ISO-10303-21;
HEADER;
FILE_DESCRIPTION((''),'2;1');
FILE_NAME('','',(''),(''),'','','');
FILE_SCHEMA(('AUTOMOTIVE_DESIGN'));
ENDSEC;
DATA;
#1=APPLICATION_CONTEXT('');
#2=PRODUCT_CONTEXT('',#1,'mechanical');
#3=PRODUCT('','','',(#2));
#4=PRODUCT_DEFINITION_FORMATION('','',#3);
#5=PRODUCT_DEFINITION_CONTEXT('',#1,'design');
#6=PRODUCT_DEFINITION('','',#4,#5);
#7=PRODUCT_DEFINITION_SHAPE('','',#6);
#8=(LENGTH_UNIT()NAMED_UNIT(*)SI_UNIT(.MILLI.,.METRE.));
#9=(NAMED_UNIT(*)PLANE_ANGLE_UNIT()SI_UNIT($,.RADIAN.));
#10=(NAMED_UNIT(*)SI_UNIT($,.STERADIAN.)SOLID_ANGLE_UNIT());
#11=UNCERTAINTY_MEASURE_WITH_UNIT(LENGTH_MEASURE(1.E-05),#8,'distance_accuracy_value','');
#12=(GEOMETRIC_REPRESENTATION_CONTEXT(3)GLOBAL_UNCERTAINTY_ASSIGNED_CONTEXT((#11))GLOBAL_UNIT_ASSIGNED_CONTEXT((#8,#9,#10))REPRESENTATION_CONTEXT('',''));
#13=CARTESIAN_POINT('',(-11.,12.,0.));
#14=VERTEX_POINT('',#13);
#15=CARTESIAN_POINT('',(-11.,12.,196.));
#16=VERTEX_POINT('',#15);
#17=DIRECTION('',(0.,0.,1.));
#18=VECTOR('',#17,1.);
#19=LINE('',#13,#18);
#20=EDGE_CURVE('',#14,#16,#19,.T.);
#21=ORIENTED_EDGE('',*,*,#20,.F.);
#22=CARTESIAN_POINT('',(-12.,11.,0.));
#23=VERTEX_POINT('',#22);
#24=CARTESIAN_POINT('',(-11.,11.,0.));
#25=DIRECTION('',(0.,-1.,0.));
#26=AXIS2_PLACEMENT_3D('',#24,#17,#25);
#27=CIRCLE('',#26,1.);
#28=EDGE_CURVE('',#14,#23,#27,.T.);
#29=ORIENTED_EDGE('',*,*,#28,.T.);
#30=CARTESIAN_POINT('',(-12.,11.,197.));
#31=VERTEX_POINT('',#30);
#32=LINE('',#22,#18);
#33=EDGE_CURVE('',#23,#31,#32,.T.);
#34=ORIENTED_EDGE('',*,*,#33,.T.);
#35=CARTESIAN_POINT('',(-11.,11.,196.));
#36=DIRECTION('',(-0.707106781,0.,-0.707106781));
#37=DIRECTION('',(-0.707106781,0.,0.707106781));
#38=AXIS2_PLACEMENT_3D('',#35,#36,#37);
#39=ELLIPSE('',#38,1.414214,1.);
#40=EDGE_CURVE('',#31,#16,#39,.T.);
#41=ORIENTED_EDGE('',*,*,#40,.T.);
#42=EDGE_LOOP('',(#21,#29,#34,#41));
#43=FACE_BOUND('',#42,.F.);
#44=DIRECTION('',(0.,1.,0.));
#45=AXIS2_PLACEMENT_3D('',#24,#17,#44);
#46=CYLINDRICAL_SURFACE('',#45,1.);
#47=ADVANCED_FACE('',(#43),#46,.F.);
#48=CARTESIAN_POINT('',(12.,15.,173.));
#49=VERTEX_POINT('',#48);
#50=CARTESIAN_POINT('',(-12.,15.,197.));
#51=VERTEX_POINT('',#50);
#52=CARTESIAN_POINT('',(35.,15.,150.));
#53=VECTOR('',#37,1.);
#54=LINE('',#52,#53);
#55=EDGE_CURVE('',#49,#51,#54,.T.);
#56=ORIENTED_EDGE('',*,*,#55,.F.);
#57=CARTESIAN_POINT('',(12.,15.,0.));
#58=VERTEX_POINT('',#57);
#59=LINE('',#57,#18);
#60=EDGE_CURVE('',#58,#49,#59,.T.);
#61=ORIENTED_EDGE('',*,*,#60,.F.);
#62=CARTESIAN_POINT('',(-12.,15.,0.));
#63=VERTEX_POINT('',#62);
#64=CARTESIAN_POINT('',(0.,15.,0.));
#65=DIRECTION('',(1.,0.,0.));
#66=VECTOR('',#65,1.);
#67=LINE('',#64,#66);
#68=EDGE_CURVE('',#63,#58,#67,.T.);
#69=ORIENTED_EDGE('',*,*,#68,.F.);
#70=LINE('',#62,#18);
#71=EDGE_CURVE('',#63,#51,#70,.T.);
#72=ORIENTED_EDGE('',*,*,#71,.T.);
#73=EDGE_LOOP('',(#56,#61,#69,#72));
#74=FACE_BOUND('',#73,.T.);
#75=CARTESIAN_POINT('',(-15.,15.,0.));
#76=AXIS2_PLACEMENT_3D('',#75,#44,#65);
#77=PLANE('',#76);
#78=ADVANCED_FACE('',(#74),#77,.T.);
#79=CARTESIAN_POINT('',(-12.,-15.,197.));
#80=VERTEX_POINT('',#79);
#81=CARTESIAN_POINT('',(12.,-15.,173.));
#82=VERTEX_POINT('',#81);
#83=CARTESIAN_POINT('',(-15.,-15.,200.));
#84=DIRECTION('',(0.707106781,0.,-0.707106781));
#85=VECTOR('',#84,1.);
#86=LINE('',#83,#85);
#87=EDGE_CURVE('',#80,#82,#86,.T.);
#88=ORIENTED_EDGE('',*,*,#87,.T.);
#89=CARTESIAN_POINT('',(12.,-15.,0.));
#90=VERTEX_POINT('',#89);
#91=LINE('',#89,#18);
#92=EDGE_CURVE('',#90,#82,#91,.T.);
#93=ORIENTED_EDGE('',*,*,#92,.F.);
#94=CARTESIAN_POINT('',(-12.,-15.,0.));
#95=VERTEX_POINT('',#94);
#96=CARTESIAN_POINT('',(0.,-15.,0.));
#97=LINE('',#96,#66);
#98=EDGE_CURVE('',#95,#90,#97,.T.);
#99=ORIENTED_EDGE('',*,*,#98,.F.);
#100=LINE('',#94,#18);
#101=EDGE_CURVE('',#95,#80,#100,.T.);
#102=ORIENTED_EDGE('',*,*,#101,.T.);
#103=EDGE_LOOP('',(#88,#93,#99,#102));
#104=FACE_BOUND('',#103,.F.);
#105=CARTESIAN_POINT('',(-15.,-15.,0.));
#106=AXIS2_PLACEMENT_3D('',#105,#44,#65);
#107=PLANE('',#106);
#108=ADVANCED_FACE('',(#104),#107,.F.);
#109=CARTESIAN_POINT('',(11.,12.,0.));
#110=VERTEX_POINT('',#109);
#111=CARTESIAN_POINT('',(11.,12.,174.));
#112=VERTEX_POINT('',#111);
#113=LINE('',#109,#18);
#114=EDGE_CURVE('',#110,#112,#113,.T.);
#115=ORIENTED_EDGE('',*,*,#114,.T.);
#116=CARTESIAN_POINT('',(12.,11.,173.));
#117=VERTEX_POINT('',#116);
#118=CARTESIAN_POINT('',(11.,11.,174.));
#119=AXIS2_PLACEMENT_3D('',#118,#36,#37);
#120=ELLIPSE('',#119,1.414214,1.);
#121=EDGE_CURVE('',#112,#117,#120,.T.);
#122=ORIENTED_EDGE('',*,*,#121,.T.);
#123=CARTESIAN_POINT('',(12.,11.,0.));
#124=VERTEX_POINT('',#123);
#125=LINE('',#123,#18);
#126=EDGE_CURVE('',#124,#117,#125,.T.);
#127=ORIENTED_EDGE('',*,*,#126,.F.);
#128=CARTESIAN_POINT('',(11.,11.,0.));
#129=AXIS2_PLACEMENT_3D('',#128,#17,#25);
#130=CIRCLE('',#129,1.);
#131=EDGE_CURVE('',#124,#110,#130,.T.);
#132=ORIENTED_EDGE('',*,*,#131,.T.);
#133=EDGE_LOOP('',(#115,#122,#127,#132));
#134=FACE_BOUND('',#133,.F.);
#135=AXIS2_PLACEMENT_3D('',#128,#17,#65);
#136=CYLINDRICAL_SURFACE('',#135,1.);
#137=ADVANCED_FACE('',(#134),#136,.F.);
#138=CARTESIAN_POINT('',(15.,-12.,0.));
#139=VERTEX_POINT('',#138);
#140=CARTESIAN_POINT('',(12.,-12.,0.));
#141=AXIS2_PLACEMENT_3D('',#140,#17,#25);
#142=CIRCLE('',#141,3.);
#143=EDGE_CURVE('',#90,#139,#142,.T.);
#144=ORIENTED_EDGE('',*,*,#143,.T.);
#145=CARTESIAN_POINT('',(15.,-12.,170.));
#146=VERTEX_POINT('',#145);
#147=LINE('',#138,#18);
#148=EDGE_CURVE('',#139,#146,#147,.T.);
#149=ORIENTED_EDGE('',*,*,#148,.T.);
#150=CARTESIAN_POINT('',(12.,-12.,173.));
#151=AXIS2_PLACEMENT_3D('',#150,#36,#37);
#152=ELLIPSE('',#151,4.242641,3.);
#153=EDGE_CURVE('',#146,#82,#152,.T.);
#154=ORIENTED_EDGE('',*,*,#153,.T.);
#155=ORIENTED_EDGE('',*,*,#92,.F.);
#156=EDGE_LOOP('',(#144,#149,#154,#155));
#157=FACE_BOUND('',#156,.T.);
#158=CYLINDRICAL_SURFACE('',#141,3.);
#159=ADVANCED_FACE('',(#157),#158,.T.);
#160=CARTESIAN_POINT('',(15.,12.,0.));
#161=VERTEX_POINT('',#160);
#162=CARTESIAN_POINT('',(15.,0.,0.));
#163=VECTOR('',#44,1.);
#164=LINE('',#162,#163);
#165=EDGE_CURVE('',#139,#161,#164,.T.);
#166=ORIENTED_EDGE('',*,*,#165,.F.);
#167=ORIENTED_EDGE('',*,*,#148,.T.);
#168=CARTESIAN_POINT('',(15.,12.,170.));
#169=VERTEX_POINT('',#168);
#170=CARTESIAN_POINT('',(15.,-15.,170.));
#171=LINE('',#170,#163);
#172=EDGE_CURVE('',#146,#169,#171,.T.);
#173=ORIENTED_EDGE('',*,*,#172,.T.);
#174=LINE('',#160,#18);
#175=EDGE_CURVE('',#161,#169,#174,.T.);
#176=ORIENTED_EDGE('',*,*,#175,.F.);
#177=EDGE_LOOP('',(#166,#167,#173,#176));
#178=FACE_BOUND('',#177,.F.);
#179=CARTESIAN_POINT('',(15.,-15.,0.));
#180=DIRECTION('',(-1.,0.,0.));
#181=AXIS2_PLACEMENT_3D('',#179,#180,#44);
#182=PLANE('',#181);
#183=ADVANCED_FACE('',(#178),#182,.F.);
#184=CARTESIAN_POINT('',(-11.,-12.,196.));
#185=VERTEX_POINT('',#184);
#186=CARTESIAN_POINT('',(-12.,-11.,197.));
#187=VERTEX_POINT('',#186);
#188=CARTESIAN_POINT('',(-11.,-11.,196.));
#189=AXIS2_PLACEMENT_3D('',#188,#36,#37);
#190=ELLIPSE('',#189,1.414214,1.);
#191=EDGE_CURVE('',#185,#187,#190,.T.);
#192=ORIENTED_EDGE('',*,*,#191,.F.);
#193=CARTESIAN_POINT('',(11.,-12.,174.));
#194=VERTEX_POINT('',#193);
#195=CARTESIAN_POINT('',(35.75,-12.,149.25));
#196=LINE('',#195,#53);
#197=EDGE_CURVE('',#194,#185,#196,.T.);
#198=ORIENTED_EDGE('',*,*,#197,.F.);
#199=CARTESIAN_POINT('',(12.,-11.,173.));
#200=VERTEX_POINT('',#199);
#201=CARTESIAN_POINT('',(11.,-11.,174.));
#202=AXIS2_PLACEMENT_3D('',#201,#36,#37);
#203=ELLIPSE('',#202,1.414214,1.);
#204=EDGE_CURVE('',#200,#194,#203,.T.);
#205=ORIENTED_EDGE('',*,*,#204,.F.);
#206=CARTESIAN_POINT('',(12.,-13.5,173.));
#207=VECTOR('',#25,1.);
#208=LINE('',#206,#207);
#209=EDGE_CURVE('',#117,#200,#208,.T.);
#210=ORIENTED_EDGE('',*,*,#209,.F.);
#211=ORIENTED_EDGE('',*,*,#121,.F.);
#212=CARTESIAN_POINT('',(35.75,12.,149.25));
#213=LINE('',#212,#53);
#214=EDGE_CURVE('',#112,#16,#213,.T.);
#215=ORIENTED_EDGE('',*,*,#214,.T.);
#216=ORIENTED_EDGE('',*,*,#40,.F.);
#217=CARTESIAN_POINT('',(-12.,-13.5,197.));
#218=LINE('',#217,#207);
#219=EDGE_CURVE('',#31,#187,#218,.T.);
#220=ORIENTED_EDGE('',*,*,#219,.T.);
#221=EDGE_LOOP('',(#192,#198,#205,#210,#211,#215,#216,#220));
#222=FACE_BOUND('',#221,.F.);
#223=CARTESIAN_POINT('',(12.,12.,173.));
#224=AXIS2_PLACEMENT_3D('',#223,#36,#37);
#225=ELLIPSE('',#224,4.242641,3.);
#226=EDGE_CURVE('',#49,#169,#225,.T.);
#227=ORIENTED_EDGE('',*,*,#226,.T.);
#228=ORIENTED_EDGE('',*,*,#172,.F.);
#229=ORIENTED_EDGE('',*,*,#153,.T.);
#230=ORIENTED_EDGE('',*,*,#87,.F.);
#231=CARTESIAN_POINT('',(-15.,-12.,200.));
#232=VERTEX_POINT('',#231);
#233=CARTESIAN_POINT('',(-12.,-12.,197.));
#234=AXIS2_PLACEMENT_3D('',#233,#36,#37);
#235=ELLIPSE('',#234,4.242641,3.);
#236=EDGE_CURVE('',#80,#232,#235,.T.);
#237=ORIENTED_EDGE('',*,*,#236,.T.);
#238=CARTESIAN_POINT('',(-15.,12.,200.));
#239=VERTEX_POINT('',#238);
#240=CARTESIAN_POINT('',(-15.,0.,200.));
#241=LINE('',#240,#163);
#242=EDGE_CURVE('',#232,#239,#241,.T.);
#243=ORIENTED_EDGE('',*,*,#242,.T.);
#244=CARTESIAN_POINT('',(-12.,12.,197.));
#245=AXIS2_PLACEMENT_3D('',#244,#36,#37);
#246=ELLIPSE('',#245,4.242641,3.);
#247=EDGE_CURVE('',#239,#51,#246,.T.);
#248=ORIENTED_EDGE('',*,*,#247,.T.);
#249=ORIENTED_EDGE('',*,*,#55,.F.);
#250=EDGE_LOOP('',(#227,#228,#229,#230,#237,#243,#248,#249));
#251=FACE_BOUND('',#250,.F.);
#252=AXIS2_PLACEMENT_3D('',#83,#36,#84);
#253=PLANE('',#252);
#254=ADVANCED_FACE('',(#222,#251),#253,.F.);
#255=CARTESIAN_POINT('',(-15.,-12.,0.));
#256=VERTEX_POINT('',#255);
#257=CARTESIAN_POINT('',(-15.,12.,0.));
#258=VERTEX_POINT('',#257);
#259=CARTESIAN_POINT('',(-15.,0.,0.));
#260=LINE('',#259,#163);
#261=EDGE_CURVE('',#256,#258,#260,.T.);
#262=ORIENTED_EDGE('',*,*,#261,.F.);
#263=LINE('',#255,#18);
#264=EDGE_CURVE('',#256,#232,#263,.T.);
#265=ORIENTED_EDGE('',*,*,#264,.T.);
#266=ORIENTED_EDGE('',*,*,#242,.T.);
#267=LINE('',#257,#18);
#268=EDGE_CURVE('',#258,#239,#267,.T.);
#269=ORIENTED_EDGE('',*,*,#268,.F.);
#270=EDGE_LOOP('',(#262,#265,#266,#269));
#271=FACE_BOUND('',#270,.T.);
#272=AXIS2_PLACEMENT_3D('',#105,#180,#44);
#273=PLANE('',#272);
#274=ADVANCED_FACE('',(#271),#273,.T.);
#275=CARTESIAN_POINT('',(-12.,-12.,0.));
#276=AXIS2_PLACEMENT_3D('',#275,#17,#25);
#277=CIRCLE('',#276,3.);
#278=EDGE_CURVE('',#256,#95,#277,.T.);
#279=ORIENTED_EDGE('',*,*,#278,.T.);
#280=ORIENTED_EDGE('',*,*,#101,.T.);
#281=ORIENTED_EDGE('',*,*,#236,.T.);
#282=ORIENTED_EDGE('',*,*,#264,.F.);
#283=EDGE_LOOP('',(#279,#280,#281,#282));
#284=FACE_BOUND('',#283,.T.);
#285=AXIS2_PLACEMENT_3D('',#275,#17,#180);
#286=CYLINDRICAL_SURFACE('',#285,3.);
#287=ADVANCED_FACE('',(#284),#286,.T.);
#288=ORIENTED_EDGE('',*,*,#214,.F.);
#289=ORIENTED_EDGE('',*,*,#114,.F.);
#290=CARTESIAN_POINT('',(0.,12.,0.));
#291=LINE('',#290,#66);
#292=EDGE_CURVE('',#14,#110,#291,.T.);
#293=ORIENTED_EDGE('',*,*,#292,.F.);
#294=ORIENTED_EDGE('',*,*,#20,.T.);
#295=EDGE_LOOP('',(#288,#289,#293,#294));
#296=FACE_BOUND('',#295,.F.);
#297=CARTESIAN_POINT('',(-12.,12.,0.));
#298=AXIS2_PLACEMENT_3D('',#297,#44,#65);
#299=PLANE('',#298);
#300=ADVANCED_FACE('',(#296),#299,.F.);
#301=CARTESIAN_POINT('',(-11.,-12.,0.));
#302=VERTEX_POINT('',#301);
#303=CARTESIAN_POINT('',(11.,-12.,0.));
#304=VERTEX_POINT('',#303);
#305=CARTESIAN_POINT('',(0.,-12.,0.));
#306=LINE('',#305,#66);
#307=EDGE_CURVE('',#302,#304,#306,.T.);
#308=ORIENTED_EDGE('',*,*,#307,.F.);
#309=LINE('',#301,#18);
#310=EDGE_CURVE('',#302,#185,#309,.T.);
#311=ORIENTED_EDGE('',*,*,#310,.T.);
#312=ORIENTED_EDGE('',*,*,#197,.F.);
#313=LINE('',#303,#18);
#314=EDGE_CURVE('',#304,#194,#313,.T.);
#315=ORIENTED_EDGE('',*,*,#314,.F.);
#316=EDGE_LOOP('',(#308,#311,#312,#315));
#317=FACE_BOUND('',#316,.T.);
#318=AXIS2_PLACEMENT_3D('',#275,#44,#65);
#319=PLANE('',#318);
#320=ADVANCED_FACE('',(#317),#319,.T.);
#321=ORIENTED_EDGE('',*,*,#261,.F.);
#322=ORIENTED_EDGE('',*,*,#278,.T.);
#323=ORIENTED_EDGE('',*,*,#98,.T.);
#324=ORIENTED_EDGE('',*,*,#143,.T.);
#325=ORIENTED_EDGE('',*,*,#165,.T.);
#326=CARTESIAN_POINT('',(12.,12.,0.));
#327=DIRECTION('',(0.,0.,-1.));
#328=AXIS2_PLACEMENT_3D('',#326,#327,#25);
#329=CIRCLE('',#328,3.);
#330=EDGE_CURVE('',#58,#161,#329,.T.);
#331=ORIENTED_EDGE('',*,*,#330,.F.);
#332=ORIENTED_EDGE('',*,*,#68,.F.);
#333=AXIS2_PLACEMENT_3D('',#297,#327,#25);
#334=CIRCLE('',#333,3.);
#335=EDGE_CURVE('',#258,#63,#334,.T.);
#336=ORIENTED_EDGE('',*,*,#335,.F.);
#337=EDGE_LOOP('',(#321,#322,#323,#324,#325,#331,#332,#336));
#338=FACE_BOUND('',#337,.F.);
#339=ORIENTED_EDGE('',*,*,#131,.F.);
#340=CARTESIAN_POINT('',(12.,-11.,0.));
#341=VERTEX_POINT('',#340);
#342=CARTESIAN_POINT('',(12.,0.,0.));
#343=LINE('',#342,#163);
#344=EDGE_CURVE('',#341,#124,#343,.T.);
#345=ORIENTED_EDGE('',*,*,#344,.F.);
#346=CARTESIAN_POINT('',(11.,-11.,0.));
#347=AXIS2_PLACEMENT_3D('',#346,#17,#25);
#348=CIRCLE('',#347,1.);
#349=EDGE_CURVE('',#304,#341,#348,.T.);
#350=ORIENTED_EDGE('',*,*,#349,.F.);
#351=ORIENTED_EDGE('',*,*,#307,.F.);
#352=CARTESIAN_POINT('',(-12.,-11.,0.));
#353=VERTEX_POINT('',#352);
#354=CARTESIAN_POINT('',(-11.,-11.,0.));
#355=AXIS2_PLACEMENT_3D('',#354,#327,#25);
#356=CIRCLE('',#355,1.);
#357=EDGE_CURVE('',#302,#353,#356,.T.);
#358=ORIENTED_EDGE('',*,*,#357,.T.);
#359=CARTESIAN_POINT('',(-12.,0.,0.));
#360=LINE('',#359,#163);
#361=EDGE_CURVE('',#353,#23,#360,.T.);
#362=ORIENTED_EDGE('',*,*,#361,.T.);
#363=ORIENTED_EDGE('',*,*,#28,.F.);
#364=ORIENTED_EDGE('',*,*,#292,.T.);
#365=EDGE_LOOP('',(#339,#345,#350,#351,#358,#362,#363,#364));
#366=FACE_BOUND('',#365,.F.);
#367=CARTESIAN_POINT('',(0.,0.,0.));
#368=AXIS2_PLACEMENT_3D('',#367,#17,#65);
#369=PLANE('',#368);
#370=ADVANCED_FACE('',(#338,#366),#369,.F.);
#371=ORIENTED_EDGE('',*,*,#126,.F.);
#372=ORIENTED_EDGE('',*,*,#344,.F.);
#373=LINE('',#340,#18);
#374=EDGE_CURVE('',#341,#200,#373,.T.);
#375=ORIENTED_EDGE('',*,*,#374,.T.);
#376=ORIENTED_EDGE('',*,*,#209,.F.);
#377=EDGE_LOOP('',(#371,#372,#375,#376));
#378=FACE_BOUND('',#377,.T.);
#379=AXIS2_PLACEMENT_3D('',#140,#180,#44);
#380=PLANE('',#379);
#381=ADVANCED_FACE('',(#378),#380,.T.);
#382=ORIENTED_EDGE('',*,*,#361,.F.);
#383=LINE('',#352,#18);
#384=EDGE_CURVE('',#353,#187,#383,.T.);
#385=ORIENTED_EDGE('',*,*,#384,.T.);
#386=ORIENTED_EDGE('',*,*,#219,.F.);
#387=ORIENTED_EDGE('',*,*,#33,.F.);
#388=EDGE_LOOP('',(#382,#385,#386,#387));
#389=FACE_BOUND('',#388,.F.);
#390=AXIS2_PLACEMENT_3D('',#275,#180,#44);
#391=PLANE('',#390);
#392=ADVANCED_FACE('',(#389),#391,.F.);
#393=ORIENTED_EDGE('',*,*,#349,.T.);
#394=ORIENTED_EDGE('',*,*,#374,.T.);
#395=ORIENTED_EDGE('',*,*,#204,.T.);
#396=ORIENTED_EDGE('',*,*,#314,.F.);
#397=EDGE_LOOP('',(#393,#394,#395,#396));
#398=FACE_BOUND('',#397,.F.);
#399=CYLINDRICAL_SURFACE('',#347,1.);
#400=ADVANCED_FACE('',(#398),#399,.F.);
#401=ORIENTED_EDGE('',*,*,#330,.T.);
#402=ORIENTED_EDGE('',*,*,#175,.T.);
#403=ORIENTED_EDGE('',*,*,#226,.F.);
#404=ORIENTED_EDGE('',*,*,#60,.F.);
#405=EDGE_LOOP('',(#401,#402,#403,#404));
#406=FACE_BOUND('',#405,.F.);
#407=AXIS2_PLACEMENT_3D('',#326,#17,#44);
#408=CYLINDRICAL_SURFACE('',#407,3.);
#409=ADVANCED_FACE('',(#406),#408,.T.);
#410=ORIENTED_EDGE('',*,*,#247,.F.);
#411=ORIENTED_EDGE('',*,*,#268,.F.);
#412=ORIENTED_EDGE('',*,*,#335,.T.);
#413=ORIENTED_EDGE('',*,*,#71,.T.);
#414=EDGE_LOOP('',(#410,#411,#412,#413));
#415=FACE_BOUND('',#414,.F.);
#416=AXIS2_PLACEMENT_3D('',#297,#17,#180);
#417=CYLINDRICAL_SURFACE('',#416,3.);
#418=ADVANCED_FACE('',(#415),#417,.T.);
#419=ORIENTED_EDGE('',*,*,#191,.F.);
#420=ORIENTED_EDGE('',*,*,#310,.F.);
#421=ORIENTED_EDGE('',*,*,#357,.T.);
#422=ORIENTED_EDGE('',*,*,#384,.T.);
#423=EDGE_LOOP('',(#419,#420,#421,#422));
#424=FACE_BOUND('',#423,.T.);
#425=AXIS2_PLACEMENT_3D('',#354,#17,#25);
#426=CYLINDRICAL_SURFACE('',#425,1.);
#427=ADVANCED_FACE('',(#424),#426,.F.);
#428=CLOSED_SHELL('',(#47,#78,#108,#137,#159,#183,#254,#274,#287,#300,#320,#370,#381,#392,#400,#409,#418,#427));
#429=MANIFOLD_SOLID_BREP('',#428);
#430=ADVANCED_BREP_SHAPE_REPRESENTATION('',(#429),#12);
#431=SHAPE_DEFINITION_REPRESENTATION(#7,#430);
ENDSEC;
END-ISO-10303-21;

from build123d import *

# Parameters (mm, degrees)
F0_W     = 30
F0_H     = 30
F0_W_2   = 24
F0_H_2   = 24
F1_DEPTH = 200
F2_R     = 1
F3_R     = 3
F5_DEPTH = 30.001


with BuildPart() as f1:
    # F0 (on Top) → F1 (new body)
    with BuildSketch(Plane.XY):
        Rectangle(F0_W, F0_H)
        Rectangle(F0_W_2, F0_H_2, mode=Mode.SUBTRACT)
    extrude(amount=F1_DEPTH)

    # F2
    f2_edges = [f1.edges().sort_by_distance(p)[0] for p in [
        (-12, -12, 100),
        (-12, 12, 100),
        (12, 12, 100),
        (12, -12, 100),
    ]]
    fillet(f2_edges, radius=F2_R)

    # F3
    f3_edges = [f1.edges().sort_by_distance(p)[0] for p in [
        (-15, 15, 100),
        (-15, -15, 100),
        (15, 15, 100),
        (15, -15, 100),
    ]]
    fillet(f3_edges, radius=F3_R)

    # F4 (on face) → F5 (cut, through all)
    with BuildSketch(Plane.XZ.offset(15)):
        Polygon((-12, 200), (-12, 197), (12, 173), (12, 200), align=None)
        Polygon((-12, 200), (-15, 200), (-12, 197), align=None)
        Polygon((12, 200), (12, 173), (15, 170), (15, 200), align=None)
    extrude(amount=-F5_DEPTH, mode=Mode.SUBTRACT)


solid = f1.part
